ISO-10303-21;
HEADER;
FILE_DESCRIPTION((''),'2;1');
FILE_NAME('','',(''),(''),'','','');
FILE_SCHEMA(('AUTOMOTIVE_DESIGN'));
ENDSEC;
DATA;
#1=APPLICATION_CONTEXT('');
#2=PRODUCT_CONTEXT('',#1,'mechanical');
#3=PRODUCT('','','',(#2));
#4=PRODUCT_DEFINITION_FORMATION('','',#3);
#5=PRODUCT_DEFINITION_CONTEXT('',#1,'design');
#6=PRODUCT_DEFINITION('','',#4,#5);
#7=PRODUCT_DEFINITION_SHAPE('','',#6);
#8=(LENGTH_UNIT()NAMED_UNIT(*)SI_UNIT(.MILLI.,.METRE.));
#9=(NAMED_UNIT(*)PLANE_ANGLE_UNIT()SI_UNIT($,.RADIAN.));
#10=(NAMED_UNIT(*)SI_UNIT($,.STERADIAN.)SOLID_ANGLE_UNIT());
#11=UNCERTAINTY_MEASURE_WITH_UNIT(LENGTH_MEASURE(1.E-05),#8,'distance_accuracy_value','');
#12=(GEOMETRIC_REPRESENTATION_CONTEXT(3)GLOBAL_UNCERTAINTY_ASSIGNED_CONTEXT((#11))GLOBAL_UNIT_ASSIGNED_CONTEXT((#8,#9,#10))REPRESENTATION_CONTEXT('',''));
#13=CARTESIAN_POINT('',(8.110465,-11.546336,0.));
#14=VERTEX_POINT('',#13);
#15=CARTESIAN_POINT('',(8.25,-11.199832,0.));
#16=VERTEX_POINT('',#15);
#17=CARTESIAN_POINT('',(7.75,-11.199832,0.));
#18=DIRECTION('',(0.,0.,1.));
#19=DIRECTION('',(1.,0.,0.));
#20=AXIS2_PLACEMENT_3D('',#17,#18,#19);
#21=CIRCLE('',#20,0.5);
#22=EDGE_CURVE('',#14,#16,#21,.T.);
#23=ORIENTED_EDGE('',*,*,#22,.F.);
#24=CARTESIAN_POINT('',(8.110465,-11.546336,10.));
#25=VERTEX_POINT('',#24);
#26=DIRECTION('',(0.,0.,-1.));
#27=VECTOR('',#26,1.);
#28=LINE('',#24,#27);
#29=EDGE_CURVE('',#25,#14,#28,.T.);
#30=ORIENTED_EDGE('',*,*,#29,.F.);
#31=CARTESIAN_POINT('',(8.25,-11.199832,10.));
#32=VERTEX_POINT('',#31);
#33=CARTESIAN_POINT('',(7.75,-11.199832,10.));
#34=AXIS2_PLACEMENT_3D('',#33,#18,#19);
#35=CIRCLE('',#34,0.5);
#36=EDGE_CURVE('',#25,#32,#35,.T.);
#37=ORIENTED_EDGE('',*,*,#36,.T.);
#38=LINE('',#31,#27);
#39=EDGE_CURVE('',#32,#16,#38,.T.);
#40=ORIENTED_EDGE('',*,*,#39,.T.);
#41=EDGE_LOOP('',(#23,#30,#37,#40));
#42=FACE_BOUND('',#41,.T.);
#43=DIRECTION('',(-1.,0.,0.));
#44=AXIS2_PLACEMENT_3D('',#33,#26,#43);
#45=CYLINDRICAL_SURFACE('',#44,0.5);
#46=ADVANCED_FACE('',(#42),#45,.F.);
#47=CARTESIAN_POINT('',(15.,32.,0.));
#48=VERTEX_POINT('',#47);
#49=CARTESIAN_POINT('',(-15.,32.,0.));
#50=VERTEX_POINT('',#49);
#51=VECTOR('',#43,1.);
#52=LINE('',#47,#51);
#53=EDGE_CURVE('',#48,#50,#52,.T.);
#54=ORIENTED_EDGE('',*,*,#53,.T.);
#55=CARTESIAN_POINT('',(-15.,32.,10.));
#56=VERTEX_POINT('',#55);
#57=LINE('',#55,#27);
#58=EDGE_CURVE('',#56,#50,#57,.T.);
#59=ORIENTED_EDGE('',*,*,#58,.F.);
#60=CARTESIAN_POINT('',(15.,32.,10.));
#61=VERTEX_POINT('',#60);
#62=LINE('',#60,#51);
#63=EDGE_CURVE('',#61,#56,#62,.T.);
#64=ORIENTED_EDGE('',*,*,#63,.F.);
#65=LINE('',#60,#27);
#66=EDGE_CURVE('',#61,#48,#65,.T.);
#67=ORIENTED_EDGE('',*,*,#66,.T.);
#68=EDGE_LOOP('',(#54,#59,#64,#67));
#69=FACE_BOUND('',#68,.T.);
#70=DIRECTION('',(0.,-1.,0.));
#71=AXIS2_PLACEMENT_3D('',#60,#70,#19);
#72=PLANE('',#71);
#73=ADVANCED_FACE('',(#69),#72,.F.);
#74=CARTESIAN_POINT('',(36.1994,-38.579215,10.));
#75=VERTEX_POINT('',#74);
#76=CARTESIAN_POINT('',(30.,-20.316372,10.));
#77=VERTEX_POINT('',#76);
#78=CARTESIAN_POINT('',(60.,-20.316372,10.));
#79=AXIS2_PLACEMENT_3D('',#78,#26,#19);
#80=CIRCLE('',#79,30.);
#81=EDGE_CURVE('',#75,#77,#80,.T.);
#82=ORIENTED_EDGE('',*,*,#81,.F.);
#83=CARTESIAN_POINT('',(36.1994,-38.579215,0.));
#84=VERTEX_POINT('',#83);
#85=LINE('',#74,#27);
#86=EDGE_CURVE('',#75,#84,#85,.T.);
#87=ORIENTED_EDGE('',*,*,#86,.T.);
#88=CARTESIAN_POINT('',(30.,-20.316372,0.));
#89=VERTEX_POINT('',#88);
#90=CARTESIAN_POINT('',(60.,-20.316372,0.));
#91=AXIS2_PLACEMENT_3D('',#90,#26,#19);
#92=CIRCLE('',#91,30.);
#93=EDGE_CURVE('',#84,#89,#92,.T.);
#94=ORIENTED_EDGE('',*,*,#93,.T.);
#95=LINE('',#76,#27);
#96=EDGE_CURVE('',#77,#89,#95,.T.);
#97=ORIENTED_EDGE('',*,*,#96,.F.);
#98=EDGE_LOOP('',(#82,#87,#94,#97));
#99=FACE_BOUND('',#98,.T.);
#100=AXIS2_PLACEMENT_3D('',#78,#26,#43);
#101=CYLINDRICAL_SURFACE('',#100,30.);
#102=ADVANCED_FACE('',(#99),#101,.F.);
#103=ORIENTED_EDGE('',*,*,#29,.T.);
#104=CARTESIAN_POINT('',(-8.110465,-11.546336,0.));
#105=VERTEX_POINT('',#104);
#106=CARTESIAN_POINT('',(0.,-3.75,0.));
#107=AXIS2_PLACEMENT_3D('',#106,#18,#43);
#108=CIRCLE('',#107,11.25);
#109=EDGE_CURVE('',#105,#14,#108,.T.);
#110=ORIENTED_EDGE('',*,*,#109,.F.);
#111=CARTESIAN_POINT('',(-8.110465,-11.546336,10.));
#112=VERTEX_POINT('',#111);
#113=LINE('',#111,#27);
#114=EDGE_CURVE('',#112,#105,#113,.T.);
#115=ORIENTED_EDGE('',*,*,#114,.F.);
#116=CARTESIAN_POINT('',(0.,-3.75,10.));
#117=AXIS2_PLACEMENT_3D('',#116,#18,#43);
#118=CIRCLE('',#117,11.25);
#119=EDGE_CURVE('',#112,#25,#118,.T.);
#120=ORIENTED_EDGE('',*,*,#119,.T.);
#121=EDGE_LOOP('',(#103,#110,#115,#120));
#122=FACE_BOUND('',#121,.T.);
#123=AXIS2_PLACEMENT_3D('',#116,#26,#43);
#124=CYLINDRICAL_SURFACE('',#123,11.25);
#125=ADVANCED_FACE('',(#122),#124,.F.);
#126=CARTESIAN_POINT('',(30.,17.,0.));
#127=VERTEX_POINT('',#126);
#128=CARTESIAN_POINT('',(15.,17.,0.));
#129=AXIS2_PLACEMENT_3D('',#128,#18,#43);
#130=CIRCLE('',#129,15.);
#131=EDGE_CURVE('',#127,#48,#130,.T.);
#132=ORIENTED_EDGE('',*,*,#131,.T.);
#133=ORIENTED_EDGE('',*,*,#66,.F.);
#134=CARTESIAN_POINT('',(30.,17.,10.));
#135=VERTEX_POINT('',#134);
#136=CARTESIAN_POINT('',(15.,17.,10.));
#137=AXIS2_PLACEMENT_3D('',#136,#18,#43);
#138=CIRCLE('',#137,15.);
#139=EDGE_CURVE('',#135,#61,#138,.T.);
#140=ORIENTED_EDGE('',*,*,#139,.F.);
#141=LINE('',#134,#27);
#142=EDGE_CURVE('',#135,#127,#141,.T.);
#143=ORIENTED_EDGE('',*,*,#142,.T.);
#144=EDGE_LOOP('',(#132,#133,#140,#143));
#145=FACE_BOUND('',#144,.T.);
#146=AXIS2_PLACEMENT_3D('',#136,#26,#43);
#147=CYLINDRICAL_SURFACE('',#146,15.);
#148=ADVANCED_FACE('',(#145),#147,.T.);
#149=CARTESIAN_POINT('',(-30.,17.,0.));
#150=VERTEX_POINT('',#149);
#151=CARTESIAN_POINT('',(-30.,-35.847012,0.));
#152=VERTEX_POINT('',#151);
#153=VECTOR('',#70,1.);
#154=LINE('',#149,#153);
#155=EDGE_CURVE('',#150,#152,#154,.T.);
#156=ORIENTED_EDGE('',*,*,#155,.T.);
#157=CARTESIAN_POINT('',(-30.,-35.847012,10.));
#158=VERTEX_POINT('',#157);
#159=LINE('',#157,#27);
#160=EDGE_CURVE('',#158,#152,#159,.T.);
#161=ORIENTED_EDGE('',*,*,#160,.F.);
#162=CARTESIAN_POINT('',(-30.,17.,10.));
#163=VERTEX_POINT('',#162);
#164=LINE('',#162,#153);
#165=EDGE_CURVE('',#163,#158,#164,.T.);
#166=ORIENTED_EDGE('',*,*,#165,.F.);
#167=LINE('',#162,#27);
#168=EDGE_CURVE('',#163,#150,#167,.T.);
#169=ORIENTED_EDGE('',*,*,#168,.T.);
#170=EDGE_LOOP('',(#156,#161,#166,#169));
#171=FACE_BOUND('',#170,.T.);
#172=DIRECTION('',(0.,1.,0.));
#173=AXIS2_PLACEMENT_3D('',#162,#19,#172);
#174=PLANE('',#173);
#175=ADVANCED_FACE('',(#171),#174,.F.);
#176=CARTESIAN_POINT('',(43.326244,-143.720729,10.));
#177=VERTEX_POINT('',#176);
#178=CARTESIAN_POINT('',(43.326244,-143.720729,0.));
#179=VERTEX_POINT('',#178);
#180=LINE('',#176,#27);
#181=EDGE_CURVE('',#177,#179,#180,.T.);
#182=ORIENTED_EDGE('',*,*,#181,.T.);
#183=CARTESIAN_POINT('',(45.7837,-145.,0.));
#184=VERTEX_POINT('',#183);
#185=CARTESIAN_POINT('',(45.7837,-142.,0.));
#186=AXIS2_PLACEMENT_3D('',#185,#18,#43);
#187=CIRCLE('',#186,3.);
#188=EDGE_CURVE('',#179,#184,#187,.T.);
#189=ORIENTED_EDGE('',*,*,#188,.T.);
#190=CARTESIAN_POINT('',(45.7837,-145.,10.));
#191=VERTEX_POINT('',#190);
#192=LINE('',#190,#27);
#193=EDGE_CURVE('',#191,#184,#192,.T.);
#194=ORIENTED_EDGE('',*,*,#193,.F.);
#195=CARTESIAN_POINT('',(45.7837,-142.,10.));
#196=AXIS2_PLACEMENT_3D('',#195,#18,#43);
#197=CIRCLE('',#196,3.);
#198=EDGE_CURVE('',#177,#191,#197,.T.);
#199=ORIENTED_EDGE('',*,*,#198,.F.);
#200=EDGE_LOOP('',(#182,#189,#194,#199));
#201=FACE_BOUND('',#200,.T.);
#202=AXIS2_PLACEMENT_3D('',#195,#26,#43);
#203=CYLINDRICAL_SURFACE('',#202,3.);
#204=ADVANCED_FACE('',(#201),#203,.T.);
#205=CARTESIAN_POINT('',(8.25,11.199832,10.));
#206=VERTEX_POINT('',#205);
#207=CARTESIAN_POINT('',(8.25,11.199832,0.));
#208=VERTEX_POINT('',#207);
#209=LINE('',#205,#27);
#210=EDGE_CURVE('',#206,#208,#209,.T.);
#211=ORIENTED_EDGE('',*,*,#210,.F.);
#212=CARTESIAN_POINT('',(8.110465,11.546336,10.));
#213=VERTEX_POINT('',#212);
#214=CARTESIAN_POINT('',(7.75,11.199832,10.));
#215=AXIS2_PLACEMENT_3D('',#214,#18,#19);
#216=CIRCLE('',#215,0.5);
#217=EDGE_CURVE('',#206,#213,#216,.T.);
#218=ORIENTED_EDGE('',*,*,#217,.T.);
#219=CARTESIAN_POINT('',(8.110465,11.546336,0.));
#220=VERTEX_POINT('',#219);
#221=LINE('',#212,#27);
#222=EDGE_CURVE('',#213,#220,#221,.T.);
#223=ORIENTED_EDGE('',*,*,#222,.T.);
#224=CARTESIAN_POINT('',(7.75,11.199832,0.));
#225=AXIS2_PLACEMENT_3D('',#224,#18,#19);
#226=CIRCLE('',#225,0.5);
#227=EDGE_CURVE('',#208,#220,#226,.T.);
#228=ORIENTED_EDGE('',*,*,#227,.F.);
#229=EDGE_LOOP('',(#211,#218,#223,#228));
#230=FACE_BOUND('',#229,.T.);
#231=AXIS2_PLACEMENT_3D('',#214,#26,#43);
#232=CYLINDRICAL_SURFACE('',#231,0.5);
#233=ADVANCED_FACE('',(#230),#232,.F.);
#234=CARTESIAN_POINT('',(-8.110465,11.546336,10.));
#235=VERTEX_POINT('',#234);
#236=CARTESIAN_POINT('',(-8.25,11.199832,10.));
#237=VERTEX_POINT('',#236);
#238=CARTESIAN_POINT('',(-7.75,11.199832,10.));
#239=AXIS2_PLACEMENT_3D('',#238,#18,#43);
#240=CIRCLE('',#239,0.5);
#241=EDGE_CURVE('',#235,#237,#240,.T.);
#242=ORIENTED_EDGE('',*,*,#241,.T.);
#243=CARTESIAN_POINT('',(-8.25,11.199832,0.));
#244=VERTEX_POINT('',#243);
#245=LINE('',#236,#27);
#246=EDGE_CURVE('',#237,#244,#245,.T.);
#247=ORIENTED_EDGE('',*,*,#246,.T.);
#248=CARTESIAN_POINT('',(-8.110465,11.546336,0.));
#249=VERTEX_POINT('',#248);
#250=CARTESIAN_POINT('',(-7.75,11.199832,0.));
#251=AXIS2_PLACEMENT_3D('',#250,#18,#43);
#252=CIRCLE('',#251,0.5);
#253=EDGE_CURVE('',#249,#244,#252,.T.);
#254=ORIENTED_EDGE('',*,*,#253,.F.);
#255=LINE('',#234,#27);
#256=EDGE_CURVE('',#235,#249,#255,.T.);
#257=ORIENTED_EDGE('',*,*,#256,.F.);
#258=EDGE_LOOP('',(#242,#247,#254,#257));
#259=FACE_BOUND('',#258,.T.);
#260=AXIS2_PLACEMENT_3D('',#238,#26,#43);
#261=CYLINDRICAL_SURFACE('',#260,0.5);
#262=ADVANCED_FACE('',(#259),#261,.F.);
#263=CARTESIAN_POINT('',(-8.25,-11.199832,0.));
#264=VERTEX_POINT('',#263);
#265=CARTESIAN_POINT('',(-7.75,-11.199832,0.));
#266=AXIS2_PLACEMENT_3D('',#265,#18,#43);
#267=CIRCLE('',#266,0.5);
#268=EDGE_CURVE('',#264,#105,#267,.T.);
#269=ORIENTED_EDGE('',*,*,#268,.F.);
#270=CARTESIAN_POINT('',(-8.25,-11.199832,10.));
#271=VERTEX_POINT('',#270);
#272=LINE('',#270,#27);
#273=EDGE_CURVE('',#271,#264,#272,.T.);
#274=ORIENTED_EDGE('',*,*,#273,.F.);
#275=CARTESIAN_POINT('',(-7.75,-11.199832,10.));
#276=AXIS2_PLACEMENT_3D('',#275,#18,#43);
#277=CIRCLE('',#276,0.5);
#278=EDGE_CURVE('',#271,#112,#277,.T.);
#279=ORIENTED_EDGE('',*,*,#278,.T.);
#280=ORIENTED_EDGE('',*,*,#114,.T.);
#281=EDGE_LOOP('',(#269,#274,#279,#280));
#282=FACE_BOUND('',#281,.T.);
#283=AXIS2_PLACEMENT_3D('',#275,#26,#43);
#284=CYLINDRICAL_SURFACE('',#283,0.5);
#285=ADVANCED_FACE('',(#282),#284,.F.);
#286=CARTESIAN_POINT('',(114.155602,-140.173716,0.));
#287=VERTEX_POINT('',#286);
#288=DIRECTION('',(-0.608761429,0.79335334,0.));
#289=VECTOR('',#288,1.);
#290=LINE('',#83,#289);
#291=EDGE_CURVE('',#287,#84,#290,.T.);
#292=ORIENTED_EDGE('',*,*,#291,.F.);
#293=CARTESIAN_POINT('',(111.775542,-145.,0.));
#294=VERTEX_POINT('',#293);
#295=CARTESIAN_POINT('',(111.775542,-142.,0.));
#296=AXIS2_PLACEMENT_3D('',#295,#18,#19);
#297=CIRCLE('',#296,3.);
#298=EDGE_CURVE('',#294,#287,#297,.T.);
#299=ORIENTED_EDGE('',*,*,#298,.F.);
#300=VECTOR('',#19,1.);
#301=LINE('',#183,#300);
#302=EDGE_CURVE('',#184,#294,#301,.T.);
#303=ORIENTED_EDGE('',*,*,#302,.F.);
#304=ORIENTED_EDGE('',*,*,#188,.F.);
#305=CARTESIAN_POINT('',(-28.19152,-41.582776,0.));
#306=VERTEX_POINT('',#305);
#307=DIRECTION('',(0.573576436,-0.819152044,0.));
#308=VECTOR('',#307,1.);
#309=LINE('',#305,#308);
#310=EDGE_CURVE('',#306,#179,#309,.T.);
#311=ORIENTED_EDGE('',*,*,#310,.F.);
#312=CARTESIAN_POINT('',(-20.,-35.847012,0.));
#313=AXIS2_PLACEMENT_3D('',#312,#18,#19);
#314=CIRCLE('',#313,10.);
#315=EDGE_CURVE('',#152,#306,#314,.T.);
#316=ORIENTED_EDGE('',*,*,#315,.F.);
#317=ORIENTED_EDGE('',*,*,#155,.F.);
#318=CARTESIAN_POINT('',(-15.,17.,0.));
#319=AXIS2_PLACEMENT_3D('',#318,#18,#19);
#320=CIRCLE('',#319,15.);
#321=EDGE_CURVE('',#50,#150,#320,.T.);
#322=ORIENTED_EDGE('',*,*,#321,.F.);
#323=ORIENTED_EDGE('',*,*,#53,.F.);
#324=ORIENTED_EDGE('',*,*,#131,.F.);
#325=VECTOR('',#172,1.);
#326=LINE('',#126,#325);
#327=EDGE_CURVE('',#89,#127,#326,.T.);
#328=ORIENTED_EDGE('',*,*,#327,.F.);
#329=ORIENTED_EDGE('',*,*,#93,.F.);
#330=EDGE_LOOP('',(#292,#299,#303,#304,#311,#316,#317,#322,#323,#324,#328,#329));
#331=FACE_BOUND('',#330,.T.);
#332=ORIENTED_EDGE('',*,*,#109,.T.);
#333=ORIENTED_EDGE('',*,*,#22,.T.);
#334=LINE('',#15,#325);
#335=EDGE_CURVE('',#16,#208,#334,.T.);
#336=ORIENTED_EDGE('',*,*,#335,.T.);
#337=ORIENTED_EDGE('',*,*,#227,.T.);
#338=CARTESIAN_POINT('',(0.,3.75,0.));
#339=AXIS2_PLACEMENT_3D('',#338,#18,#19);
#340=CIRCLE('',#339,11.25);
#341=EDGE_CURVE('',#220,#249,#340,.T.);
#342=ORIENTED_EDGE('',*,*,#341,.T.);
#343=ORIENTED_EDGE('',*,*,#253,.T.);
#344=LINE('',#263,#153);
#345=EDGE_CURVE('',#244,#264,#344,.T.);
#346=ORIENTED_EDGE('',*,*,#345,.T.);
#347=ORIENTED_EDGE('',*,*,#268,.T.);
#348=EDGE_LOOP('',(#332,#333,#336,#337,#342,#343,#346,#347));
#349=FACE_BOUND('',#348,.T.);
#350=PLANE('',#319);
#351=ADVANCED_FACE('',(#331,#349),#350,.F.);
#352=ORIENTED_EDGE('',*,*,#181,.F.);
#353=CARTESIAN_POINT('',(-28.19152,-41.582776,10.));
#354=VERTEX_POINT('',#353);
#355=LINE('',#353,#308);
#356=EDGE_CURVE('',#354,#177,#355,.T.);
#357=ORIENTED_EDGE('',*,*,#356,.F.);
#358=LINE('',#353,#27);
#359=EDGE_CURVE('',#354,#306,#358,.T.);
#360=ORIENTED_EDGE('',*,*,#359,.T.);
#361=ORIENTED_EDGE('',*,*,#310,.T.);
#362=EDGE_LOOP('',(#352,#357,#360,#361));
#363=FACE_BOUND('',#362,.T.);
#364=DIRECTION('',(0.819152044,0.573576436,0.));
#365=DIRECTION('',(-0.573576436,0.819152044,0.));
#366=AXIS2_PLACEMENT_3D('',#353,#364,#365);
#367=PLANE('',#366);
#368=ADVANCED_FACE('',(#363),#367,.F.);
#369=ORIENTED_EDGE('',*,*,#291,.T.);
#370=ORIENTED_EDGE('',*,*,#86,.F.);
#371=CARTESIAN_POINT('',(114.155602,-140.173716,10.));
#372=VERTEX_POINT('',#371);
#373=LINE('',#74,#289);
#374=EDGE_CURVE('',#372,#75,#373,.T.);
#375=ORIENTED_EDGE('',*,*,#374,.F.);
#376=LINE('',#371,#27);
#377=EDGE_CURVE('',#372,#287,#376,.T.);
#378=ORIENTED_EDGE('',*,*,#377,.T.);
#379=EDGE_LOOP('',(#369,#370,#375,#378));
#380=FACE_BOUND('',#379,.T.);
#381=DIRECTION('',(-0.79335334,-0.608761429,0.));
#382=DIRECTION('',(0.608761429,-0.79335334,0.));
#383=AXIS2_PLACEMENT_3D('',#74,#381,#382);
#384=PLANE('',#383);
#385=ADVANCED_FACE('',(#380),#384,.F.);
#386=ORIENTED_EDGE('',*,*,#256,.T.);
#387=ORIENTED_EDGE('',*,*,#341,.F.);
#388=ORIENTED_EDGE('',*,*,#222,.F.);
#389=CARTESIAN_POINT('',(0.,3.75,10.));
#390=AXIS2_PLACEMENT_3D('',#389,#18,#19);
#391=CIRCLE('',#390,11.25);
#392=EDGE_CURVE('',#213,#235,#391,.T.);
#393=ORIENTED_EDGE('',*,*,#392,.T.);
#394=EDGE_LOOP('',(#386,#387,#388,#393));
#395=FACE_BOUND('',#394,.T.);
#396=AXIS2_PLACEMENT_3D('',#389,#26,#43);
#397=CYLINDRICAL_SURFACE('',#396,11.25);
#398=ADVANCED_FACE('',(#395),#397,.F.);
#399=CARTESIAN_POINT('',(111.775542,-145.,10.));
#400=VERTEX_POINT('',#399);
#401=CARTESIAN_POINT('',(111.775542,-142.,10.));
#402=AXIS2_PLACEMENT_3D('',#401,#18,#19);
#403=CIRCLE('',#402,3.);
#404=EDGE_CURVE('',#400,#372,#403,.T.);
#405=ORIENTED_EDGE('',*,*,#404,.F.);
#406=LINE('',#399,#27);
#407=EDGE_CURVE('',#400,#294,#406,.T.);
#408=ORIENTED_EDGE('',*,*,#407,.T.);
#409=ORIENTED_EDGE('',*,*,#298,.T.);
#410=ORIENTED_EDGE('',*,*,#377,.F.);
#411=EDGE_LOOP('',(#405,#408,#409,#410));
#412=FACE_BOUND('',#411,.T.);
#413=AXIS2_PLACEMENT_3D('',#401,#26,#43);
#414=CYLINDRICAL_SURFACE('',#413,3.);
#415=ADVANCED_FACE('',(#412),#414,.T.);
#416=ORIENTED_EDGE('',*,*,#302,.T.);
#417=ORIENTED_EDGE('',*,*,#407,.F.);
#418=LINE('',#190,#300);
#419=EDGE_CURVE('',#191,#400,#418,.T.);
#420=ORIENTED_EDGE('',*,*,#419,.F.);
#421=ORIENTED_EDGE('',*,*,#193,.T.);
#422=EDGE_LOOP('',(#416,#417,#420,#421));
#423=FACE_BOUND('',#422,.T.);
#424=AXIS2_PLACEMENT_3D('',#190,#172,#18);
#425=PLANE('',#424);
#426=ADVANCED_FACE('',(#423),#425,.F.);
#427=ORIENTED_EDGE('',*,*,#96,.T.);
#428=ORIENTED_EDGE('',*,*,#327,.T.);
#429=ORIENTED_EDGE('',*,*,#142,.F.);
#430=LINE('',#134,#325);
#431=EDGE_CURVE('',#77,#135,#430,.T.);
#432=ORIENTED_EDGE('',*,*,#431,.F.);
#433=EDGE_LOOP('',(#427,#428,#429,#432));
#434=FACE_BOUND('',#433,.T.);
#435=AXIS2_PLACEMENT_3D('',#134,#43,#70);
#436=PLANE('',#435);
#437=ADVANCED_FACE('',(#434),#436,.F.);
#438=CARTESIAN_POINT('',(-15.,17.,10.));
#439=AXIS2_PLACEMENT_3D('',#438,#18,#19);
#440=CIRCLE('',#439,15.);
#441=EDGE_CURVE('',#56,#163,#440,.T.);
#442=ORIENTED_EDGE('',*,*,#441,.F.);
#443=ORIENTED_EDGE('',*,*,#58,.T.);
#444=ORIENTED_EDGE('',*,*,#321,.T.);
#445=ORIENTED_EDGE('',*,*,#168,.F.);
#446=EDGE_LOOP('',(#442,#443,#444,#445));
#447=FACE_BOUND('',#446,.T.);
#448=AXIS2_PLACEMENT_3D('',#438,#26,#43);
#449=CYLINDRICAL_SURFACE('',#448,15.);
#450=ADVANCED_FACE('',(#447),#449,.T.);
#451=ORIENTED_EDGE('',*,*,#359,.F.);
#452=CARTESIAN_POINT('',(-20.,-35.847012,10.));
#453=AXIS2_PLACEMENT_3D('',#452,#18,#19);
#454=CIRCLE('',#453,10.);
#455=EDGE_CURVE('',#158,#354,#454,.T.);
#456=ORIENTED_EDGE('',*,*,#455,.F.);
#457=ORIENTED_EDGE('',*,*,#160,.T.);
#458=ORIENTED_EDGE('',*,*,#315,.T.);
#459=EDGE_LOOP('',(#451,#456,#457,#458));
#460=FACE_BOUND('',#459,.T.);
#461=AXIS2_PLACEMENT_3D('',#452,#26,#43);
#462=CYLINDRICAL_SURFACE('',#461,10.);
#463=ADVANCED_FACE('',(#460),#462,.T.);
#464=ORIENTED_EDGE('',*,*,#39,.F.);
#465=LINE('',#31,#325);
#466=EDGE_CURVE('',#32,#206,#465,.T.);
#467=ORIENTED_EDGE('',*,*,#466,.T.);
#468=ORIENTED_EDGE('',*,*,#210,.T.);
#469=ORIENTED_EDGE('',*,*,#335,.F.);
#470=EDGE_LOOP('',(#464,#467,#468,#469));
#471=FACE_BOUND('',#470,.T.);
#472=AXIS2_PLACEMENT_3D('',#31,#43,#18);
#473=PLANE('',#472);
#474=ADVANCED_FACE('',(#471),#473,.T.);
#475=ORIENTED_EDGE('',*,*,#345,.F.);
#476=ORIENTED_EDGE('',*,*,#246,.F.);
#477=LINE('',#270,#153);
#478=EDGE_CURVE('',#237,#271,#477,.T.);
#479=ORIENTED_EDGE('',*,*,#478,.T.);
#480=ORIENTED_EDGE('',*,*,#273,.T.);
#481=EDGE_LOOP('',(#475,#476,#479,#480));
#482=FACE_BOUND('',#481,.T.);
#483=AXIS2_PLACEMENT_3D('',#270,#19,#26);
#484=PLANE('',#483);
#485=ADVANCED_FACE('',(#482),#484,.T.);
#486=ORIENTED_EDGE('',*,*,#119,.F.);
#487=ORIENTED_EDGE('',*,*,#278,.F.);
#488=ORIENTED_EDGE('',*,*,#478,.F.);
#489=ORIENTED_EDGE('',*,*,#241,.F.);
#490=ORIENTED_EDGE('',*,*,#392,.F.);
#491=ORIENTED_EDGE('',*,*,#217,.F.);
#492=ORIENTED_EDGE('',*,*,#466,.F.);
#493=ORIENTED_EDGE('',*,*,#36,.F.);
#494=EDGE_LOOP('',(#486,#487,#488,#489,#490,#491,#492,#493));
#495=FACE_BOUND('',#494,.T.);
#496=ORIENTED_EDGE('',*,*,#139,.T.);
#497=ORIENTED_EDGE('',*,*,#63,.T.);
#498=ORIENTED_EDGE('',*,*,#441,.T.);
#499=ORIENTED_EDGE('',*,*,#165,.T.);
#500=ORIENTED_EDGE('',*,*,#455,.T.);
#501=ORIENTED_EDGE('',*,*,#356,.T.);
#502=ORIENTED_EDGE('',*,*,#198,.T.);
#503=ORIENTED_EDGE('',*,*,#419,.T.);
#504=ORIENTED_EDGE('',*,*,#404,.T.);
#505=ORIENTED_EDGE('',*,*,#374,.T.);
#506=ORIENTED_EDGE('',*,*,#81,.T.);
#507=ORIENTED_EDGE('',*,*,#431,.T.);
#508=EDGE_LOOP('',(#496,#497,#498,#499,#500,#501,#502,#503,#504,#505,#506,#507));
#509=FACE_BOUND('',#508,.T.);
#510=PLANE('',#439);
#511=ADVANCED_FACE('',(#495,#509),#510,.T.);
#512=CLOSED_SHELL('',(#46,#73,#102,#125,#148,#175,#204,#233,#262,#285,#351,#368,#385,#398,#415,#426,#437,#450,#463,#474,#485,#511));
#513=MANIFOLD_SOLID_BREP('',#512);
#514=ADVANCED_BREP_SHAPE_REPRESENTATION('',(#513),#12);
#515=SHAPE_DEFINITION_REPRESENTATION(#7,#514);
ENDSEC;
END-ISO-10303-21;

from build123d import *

# Parameters (mm, degrees)
EXTRUDE1_DEPTH = 10


with BuildPart() as part:
    # Sketch1 → Extrude1 (new body)
    with BuildSketch(Plane.XY):
        with BuildLine():
            Line((15, 32), (-15, 32))
            ThreePointArc((-15, 32), (-25.606601718, 27.606601718), (-30, 17))
            Line((-30, 17), (-30, -35.847012111))
            ThreePointArc((-30, -35.847012111), (-29.537169507, -38.854070106), (-28.191520443, -41.582776475))
            Line((-28.191520443, -41.582776475), (43.326244069, -143.720729309))
            ThreePointArc((43.326244069, -143.720729309), (44.398454362, -144.6610325), (45.783700202, -145))
            Line((45.783700202, -145), (111.775541918, -145))
            ThreePointArc((111.775541918, -145), (114.466160142, -143.326866071), (114.155601938, -140.173715713))
            Line((114.155601938, -140.173715713), (36.199399791, -38.579215104))
            ThreePointArc((36.199399791, -38.579215104), (31.592096115, -29.959556193), (30, -20.316372234))
            Line((30, -20.316372234), (30, 17))
            ThreePointArc((30, 17), (25.606601718, 27.606601718), (15, 32))
        make_face()
        with BuildLine():
            Line((8.25, -11.199832213), (8.25, 11.199832213))
            ThreePointArc((8.25, 11.199832213), (8.213806295, 11.386604055), (8.110465116, 11.546336037))
            ThreePointArc((8.110465116, 11.546336037), (0, 15), (-8.110465116, 11.546336037))
            ThreePointArc((-8.110465116, 11.546336037), (-8.213806295, 11.386604055), (-8.25, 11.199832213))
            Line((-8.25, 11.199832213), (-8.25, -11.199832213))
            ThreePointArc((-8.25, -11.199832213), (-8.213806295, -11.386604055), (-8.110465116, -11.546336037))
            ThreePointArc((-8.110465116, -11.546336037), (0, -15), (8.110465116, -11.546336037))
            ThreePointArc((8.110465116, -11.546336037), (8.213806295, -11.386604055), (8.25, -11.199832213))
        make_face(mode=Mode.SUBTRACT)
    extrude(amount=EXTRUDE1_DEPTH)


solid = part.part
